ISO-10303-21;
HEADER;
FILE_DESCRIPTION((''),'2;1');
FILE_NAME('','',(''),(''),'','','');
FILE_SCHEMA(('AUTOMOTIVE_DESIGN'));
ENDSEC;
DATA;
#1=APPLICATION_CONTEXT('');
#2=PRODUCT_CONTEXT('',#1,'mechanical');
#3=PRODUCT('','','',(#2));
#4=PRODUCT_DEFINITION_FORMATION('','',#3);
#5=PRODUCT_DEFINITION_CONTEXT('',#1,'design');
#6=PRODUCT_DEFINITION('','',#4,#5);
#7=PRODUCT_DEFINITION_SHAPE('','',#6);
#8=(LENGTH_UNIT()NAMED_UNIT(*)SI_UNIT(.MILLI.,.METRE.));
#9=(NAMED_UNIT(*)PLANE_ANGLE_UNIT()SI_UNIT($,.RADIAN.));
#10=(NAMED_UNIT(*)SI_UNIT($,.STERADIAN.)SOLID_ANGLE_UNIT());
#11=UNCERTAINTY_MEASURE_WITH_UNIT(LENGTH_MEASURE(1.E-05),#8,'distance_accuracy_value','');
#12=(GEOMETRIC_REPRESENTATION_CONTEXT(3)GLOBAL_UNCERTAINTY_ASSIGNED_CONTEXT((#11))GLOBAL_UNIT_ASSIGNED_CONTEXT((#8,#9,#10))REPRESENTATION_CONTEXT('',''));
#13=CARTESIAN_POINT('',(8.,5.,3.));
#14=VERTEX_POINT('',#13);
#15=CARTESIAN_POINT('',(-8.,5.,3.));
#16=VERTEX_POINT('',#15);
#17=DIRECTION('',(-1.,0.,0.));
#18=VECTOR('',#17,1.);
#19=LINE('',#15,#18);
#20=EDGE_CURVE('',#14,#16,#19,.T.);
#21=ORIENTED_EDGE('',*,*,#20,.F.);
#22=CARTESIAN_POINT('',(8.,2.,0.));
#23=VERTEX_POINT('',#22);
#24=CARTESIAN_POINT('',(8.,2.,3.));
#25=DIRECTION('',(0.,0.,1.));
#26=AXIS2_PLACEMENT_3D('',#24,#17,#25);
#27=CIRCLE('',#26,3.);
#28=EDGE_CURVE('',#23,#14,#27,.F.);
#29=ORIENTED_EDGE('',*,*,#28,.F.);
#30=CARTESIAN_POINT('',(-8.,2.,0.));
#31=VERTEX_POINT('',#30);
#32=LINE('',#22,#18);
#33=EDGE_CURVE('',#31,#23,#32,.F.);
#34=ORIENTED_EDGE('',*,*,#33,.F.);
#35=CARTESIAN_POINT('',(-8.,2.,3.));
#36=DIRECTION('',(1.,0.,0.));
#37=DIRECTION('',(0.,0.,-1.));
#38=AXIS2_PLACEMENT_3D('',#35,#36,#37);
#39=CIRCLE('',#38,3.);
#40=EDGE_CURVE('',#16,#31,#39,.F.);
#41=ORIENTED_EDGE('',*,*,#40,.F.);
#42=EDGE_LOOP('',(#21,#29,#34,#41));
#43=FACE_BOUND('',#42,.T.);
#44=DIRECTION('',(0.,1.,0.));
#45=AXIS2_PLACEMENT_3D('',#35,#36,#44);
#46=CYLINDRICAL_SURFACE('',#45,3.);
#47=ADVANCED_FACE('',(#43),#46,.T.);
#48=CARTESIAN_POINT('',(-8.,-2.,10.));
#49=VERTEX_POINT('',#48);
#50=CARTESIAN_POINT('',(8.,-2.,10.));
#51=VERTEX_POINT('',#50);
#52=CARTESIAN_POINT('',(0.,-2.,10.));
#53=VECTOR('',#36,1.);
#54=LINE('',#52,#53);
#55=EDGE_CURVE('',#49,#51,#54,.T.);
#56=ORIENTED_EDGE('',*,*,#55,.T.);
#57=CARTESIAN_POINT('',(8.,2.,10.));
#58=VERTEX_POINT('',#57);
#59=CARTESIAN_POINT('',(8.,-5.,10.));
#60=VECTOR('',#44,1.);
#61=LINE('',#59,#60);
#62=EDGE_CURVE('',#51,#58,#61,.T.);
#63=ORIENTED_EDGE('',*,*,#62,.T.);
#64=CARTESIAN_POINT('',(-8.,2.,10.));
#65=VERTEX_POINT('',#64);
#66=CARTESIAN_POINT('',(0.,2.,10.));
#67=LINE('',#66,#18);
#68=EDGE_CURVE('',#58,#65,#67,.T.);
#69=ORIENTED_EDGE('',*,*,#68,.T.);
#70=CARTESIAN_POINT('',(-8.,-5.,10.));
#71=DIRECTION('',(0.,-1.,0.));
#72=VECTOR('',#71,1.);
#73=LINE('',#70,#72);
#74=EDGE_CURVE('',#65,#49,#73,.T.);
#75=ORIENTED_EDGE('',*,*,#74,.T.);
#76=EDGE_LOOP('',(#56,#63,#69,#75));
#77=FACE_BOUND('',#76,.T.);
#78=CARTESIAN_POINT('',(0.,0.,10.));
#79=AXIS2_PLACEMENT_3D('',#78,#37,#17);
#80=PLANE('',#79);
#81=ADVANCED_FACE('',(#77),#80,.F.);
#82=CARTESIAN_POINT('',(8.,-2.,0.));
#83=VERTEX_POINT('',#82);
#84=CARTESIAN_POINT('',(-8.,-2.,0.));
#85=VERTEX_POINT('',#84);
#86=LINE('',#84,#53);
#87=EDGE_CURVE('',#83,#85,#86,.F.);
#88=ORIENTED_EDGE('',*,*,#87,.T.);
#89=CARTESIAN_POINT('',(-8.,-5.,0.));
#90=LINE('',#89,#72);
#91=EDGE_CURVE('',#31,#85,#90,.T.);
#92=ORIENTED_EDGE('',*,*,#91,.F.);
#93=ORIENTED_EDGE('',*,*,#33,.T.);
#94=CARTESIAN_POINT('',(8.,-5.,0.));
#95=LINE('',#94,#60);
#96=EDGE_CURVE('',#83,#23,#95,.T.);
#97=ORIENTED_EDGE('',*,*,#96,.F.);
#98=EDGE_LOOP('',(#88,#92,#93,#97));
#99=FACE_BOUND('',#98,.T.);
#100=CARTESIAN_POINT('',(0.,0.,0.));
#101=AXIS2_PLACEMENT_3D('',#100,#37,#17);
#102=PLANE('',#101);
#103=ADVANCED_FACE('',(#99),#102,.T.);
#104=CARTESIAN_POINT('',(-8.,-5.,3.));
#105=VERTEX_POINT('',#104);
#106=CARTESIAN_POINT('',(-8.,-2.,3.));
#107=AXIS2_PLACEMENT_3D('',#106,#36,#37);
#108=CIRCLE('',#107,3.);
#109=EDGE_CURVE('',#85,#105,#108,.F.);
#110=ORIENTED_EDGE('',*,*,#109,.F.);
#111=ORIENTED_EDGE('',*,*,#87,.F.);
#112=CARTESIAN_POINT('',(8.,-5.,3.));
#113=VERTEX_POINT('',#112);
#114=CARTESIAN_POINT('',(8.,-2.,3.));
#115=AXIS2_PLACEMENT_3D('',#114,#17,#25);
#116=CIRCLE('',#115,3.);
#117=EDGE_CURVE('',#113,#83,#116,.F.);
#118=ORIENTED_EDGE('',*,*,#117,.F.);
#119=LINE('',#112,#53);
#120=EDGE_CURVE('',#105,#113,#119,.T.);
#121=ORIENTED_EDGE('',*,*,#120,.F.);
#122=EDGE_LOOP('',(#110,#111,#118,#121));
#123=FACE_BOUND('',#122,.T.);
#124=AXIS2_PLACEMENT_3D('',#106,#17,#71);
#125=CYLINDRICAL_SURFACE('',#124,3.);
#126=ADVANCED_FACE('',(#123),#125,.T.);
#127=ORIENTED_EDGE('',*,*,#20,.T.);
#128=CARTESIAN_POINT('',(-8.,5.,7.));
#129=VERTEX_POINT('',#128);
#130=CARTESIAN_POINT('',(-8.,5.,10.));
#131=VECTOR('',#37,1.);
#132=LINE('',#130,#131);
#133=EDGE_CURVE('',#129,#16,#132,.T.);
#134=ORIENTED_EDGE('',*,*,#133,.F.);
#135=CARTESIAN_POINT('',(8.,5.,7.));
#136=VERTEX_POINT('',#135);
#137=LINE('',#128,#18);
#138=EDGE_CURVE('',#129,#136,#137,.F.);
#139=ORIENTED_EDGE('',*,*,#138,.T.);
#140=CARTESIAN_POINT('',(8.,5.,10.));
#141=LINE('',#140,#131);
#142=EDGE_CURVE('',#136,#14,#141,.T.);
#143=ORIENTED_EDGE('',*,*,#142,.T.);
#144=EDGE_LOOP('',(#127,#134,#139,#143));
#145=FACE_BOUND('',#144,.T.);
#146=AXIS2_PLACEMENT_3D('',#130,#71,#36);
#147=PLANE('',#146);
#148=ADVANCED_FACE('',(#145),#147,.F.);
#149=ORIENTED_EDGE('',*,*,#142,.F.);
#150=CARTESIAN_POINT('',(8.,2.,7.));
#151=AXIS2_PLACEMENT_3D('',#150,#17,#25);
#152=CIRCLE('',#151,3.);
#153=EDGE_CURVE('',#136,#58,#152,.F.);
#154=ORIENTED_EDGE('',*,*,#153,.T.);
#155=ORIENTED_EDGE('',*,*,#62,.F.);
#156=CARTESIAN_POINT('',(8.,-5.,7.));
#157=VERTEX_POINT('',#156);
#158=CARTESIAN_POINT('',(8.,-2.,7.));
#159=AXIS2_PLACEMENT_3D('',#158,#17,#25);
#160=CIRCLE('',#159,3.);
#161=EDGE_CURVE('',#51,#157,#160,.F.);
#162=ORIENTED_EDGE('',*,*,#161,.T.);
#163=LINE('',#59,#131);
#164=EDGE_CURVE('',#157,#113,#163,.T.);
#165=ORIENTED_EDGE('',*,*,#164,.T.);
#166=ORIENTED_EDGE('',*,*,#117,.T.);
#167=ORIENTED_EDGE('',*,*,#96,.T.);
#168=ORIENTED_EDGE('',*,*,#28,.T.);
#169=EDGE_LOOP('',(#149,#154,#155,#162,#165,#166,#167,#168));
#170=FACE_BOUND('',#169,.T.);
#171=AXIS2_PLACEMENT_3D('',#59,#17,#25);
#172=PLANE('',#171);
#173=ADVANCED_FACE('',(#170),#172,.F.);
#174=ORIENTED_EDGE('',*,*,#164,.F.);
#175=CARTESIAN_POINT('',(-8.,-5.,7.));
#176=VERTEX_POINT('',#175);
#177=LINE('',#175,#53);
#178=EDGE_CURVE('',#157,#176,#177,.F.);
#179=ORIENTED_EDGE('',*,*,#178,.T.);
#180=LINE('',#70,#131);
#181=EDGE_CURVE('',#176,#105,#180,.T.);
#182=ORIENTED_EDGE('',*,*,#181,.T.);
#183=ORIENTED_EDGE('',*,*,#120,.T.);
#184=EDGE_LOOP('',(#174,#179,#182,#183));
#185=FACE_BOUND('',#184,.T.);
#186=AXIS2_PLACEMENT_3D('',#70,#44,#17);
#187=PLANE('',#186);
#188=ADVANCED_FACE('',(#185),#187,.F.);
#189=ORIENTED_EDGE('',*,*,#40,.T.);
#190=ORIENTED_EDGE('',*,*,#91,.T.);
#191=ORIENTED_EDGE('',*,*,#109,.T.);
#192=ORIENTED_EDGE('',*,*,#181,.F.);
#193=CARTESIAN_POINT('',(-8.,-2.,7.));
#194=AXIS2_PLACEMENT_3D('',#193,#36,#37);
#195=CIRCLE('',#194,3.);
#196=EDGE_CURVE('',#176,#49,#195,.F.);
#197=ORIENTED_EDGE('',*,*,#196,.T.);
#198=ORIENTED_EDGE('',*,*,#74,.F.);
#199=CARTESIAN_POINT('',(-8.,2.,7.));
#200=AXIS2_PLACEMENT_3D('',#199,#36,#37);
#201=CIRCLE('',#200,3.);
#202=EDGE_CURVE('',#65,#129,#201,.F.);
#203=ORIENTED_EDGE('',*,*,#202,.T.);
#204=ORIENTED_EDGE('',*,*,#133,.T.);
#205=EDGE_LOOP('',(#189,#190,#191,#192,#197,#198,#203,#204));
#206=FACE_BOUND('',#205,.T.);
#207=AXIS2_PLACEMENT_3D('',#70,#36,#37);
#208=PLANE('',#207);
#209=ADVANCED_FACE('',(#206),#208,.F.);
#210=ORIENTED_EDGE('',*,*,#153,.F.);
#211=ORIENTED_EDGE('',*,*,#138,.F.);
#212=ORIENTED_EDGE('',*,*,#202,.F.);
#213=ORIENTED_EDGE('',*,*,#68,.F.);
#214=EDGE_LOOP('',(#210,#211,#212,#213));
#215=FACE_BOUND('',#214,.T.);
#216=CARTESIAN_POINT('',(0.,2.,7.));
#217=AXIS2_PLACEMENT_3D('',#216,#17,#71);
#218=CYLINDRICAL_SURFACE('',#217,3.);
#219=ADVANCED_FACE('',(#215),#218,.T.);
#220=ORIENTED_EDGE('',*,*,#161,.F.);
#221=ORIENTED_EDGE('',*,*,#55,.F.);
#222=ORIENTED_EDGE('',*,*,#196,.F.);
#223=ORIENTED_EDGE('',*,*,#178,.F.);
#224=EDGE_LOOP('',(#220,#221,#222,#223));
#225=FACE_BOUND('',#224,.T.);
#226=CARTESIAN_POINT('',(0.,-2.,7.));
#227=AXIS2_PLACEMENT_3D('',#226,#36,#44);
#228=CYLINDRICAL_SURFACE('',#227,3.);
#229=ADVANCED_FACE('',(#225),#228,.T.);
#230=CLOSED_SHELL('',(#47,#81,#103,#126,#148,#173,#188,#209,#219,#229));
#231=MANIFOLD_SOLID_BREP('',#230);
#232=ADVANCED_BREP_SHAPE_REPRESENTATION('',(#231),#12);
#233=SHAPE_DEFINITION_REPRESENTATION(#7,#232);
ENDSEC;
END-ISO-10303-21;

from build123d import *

# Parameters (mm, degrees)
SKETCH_1_W      = 16
SKETCH_1_H      = 10
EXTRUDE_1_DEPTH = 10
FILLET_1_R      = 3


with BuildPart() as part:
    # 草图1 → 凸台-拉伸1 (new body)
    with BuildSketch(Plane.XY):
        Rectangle(SKETCH_1_W, SKETCH_1_H)
    extrude(amount=EXTRUDE_1_DEPTH)

    # 圆角1
    fillet_1_edges = [part.edges().sort_by_distance(p)[0] for p in [
        (0, -5, 10),
        (0, -5, 0),
        (0, 5, 0),
        (0, 5, 10),
    ]]
    fillet(fillet_1_edges, radius=FILLET_1_R)


solid = part.part
